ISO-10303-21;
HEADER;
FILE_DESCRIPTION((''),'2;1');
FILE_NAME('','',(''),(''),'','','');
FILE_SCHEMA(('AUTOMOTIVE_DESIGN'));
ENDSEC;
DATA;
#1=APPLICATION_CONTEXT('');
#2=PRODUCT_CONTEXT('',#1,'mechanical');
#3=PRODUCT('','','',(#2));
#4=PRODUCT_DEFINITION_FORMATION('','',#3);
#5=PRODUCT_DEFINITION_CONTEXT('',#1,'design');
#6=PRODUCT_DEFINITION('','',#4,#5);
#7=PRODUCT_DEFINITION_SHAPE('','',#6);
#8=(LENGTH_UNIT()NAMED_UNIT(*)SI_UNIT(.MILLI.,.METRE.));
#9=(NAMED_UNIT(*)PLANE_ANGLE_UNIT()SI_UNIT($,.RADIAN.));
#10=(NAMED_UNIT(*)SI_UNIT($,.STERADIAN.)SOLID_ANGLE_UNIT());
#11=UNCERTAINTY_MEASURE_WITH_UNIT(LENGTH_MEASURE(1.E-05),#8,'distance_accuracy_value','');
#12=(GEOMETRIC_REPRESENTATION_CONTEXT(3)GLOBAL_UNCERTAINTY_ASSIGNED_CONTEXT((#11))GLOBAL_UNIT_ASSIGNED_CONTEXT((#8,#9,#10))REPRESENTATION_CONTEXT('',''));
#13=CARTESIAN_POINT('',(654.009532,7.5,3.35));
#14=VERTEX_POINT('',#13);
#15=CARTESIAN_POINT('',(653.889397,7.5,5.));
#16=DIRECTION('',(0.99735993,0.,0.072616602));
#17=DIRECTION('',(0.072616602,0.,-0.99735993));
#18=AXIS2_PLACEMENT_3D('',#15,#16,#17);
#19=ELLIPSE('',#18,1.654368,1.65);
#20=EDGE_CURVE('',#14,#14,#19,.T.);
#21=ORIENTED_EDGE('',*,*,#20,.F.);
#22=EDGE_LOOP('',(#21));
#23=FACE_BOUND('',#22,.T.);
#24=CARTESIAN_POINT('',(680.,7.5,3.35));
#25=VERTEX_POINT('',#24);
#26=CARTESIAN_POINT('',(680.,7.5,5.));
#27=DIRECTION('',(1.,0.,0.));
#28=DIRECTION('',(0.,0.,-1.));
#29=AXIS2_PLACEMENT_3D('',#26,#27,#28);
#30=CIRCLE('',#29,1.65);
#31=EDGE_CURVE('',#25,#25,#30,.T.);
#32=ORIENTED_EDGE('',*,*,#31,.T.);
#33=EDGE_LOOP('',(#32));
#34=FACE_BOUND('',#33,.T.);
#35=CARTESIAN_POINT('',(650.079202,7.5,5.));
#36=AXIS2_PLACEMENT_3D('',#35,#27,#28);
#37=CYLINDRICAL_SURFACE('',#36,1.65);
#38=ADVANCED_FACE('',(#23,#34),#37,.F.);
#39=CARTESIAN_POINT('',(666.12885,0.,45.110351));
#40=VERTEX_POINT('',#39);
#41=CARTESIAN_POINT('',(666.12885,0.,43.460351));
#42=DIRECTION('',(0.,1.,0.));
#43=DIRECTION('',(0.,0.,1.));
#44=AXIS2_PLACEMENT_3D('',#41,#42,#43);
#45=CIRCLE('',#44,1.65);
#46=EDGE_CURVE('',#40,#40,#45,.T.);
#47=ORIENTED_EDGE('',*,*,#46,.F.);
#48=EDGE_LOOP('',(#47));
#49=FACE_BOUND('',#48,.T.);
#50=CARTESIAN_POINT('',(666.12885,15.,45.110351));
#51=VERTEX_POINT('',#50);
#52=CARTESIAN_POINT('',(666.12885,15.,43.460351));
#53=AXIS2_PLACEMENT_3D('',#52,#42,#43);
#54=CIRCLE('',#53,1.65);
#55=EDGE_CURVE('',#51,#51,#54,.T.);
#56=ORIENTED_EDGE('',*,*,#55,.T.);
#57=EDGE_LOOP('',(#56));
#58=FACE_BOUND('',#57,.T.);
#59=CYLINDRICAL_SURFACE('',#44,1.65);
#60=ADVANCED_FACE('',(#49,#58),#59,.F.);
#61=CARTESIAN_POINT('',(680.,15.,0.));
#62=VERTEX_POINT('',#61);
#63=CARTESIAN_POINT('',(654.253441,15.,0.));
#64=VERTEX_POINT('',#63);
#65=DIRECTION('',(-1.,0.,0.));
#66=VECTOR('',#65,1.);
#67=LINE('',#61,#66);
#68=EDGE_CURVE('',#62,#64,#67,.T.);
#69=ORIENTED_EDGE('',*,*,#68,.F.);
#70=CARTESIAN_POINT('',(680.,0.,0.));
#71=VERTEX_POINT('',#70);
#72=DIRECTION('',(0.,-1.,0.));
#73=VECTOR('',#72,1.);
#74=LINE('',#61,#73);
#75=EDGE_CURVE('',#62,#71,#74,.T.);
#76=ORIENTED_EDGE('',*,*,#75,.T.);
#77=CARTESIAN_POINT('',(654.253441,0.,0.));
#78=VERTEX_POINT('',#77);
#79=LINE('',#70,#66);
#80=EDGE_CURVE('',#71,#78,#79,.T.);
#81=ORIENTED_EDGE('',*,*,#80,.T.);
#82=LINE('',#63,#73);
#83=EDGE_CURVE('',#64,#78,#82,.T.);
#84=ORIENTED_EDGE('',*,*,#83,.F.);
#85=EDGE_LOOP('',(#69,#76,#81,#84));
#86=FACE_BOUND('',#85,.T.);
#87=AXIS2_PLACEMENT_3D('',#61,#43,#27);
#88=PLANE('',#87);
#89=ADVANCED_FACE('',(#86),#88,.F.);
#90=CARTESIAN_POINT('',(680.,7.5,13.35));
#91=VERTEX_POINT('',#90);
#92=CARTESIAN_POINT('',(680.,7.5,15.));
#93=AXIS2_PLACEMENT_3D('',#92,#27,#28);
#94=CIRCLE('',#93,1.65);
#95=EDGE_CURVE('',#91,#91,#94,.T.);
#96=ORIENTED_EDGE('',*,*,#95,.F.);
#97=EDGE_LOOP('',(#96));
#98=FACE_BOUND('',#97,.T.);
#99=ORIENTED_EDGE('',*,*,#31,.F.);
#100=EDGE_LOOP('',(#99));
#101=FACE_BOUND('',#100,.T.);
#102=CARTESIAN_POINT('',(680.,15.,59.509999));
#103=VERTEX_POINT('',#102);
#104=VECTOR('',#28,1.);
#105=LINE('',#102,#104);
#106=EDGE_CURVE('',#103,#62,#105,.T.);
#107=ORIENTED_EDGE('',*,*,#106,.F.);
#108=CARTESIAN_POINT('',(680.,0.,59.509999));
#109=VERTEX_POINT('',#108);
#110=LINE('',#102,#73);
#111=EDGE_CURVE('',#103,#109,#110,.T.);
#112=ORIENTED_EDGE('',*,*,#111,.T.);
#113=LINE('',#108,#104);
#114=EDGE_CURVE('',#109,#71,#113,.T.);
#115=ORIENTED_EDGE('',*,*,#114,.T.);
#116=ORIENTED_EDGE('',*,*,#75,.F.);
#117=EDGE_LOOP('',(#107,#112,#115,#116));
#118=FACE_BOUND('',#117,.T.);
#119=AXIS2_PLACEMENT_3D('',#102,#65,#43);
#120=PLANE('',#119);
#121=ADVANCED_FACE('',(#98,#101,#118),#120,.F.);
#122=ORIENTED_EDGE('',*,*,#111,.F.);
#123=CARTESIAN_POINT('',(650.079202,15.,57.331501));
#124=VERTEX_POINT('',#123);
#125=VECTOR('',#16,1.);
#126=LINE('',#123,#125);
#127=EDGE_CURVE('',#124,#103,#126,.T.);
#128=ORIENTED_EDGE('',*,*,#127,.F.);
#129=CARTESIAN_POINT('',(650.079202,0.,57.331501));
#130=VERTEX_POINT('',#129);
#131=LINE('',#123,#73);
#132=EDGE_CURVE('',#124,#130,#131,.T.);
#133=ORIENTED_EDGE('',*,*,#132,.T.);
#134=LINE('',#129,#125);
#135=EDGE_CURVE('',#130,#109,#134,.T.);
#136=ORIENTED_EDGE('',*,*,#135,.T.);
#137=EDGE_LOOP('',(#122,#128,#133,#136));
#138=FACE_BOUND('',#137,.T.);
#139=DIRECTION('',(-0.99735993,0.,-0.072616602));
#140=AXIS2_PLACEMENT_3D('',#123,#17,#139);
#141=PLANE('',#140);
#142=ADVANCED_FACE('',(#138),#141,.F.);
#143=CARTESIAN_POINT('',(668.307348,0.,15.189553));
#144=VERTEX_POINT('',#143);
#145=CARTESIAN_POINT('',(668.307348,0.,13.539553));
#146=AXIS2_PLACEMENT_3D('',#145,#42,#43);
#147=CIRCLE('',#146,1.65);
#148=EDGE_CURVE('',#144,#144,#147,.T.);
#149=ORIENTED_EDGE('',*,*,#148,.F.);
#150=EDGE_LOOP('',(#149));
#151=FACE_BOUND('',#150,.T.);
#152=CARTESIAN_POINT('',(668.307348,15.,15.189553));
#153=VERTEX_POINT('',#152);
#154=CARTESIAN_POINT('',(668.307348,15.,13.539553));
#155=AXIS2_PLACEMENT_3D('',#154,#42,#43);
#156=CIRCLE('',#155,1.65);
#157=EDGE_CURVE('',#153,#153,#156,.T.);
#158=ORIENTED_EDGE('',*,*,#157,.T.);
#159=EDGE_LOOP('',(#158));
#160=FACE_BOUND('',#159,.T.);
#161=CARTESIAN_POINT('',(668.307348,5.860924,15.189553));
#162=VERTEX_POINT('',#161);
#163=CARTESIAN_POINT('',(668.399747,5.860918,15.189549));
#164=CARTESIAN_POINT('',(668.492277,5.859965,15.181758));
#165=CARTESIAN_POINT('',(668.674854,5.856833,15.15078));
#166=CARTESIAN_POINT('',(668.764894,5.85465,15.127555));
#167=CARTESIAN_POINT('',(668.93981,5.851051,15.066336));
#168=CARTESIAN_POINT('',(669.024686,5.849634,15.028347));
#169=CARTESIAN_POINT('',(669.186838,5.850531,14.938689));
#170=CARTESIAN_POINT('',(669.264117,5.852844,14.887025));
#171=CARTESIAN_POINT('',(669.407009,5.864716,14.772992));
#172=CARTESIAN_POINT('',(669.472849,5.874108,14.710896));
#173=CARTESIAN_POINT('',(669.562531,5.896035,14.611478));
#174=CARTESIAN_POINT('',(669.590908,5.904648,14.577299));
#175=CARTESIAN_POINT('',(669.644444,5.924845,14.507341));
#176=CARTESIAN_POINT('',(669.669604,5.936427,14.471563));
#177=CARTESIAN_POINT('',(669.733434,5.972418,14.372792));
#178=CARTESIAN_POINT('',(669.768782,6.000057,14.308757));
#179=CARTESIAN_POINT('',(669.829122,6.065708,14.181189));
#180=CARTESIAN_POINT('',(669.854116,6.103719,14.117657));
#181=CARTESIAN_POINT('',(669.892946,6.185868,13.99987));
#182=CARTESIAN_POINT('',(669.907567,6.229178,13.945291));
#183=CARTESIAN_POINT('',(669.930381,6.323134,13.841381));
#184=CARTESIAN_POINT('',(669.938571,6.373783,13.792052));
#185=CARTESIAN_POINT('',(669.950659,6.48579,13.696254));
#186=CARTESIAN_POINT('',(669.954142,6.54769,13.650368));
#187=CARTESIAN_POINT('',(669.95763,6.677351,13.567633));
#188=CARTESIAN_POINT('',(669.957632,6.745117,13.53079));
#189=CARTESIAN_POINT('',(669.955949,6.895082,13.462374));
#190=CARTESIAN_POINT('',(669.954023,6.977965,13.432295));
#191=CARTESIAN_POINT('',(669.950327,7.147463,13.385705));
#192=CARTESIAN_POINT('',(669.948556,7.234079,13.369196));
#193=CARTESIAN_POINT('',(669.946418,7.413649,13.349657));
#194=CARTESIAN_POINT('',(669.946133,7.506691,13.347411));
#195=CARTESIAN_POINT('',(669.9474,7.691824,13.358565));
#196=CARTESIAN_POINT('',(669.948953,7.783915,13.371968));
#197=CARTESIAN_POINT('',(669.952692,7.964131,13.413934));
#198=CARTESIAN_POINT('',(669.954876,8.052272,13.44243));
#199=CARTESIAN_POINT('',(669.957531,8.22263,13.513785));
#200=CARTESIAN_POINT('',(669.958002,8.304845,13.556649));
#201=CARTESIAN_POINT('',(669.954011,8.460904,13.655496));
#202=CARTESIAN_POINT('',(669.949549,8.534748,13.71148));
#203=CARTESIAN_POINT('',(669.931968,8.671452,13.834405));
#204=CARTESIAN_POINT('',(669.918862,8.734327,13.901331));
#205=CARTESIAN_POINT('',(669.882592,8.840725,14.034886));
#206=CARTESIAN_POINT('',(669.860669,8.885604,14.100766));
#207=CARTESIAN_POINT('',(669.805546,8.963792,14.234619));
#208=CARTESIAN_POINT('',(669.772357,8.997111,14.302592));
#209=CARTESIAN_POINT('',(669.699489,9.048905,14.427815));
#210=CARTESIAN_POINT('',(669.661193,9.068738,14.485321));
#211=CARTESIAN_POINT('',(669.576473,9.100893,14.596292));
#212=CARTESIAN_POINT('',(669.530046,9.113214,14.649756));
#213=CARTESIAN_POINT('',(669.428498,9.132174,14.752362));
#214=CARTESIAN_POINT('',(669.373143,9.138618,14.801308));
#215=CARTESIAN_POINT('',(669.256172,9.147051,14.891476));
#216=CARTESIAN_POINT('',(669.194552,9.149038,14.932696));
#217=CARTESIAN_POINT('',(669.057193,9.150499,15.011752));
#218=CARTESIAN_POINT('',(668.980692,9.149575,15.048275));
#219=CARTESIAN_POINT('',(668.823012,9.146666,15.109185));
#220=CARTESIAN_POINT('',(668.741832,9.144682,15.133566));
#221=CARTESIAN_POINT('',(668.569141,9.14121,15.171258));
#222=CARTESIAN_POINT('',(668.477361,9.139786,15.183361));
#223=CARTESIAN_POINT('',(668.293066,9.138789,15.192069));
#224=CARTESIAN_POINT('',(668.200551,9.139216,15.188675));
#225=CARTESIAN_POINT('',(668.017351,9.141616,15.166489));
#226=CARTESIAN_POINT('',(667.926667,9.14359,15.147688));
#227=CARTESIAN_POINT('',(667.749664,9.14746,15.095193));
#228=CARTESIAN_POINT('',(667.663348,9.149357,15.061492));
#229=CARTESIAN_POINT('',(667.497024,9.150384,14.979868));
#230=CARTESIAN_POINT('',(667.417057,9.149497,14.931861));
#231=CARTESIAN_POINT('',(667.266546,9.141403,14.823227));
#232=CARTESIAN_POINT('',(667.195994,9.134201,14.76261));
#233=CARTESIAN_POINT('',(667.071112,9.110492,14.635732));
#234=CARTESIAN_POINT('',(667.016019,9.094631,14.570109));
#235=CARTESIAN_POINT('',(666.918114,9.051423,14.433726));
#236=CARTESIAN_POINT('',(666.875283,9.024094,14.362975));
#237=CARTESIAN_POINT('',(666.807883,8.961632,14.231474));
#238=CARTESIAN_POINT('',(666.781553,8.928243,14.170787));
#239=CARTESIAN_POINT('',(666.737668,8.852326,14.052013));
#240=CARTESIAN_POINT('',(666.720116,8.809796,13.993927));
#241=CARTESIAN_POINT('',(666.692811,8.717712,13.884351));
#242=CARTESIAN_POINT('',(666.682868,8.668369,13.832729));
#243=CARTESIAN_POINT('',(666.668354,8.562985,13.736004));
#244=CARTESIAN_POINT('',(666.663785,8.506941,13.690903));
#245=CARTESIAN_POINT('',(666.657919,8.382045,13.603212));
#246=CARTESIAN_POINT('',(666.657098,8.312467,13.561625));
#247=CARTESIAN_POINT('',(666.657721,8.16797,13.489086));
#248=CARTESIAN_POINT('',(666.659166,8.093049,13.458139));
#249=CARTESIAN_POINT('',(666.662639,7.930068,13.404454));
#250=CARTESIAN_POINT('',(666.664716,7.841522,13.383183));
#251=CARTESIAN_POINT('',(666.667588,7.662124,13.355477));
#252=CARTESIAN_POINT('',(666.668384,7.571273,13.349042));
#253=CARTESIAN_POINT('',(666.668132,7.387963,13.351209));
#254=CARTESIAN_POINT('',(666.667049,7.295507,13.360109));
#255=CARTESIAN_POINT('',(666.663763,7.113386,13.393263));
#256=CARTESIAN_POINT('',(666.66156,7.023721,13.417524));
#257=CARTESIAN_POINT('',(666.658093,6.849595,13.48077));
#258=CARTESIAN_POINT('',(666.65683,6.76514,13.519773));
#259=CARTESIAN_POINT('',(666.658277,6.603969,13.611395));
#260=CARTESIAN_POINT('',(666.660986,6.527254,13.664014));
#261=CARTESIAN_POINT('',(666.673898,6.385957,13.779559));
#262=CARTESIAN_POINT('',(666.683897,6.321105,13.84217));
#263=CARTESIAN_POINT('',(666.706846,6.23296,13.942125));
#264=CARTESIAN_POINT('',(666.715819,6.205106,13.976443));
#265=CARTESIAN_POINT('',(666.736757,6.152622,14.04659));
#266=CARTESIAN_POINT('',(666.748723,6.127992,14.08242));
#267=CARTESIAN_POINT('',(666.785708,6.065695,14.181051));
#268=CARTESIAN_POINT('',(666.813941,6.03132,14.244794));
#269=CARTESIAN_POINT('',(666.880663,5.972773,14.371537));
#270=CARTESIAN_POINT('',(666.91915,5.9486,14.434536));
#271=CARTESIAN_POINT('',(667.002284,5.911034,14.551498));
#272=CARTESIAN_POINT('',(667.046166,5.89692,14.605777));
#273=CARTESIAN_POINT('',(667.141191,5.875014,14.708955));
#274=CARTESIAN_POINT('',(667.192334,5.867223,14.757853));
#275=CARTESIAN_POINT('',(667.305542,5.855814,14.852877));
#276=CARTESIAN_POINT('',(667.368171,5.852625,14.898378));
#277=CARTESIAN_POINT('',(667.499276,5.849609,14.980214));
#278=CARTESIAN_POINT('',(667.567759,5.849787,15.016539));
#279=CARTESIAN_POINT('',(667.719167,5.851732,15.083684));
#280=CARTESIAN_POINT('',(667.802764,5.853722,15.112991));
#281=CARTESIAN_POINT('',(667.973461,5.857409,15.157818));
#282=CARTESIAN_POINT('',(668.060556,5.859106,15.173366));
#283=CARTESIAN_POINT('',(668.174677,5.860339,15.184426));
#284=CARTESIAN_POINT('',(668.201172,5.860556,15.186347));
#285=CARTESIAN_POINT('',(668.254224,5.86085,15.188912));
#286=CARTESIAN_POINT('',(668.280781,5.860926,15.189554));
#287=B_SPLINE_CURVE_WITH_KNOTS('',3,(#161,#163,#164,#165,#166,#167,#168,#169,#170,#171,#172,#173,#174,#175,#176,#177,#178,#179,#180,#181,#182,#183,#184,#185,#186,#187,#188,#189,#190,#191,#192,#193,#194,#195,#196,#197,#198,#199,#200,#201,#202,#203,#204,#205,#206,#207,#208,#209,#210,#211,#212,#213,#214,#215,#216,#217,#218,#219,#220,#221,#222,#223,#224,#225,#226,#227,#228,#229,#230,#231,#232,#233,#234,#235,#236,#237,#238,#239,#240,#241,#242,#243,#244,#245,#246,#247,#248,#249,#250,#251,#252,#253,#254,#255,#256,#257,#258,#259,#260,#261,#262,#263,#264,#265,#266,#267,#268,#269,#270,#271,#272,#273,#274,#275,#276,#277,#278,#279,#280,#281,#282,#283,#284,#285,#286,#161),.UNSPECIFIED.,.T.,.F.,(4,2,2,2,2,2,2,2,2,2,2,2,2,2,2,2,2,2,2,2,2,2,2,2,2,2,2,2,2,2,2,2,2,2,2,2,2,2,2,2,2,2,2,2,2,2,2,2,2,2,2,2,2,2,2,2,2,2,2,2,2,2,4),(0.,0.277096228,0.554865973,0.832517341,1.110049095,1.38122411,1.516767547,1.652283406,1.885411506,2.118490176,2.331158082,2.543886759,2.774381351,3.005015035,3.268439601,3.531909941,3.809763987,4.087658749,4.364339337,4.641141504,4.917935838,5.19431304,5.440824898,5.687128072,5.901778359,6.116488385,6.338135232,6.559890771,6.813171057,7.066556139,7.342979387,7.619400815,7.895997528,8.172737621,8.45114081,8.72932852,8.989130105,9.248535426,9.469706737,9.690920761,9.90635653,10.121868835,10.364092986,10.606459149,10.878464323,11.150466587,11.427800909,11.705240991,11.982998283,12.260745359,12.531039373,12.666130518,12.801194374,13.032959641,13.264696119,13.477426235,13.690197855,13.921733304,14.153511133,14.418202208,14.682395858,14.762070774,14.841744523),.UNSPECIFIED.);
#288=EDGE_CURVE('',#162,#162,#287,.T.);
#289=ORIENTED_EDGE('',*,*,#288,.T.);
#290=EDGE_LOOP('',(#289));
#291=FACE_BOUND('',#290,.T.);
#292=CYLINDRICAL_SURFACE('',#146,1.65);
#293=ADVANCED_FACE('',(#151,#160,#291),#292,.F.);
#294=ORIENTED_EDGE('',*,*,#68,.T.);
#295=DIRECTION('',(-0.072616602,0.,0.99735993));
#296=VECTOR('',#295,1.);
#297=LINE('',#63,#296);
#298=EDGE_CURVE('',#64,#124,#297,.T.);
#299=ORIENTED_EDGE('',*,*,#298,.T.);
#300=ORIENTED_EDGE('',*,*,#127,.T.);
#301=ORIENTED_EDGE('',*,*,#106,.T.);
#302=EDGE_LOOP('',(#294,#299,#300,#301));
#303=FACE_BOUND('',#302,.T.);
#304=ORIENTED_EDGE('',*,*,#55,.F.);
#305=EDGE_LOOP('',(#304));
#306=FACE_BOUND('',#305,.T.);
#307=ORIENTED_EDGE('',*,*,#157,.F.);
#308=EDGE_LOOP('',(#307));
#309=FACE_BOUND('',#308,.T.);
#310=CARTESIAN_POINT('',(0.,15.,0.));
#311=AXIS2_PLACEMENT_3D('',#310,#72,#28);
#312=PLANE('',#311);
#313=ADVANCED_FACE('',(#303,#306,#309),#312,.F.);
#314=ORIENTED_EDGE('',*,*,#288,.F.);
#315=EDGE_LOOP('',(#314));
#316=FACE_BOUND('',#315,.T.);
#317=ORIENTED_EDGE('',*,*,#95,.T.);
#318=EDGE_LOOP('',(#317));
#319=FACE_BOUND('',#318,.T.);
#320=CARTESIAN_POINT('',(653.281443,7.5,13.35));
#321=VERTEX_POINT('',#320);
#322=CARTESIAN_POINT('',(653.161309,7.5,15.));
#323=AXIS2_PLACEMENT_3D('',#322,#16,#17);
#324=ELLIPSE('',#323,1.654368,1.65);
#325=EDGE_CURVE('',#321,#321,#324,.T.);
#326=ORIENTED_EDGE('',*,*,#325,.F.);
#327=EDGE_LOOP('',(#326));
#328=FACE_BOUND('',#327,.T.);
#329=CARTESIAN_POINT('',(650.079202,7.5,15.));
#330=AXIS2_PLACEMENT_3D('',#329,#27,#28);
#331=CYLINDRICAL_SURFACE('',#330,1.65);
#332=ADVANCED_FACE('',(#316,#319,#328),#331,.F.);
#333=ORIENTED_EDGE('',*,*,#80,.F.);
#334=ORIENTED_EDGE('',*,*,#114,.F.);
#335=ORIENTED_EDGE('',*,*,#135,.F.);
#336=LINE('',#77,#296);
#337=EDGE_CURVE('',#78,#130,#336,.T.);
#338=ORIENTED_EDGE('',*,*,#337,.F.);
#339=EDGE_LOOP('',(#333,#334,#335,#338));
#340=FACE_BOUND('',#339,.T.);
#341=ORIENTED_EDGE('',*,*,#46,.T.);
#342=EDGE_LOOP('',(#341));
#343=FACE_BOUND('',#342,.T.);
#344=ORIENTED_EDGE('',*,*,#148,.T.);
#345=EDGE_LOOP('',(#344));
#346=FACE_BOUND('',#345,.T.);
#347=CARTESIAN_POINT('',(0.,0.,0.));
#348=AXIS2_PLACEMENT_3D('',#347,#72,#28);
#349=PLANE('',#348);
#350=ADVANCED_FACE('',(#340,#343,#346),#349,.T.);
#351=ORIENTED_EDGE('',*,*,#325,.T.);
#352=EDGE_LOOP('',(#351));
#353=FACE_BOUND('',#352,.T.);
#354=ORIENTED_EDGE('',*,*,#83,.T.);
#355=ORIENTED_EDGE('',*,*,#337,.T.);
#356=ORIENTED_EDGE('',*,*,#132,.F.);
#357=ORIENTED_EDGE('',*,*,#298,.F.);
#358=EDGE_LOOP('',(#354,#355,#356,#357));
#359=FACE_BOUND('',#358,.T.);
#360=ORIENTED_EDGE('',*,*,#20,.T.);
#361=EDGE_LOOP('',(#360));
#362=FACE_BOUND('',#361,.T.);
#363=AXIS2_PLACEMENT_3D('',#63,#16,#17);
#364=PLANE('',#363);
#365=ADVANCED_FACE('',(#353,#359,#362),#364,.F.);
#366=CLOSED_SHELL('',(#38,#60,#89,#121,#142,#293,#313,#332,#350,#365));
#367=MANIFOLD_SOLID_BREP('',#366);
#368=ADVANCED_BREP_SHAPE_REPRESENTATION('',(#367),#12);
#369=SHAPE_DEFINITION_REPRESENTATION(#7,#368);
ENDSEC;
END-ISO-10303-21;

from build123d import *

# Parameters (mm, degrees)
EXTRUDE_1_DEPTH     = 15
SKETCH_2_R          = 1.45
CUT_EXTRUDE_1_DEPTH = 683.763824452
SKETCH_3_R          = 1.45
CUT_EXTRUDE_2_DEPTH = 69.276600135
SKETCH_4_R          = 1.65
CUT_EXTRUDE_3_DEPTH = 683.763824553
SKETCH_5_R          = 1.65
CUT_EXTRUDE_4_DEPTH = 69.276600157


with BuildPart() as part:
    # 草图1 → 凸台-拉伸1 (new body)
    with BuildSketch(Plane(origin=(0, 0, 0), x_dir=(1, 0, 0), z_dir=(0, 1, 0))):
        Polygon((654.253441162, 0), (650.079202112, -57.331500941), (680, -59.50999899), (680, 0), align=None)
    extrude(amount=EXTRUDE_1_DEPTH)

    # 草图2 → 切除-拉伸1 (cut, through all)
    with BuildSketch(Plane.XZ):
        with Locations(Location((668.307348129, 13.539553134, 0), (0, 0, 270))):
            Circle(SKETCH_2_R)
        with Locations(Location((666.12885008, 43.460351022, 0), (0, 0, 270))):
            Circle(SKETCH_2_R)
    extrude(amount=-CUT_EXTRUDE_1_DEPTH, mode=Mode.SUBTRACT)

    # 草图3 → 切除-拉伸2 (cut, through all)
    with BuildSketch(Plane(origin=(680, 0, 0), x_dir=(0, 0, -1), z_dir=(1, 0, 0))):
        with Locations((-15, 7.5)):
            Circle(SKETCH_3_R)
        with Locations((-5, 7.5)):
            Circle(SKETCH_3_R)
    extrude(amount=-CUT_EXTRUDE_2_DEPTH, mode=Mode.SUBTRACT)

    # 草图4 → 切除-拉伸3 (cut, through all)
    with BuildSketch(Plane(origin=(0, 15, 0), x_dir=(1, 0, 0), z_dir=(0, 1, 0))):
        with Locations(Location((668.307348129, -13.539553134, 0), (0, 0, 270))):
            Circle(SKETCH_4_R)
        with Locations(Location((666.12885008, -43.460351022, 0), (0, 0, 270))):
            Circle(SKETCH_4_R)
    extrude(amount=-CUT_EXTRUDE_3_DEPTH, mode=Mode.SUBTRACT)

    # 草图5 → 切除-拉伸4 (cut, through all)
    with BuildSketch(Plane(origin=(680, 0, 0), x_dir=(0, 0, -1), z_dir=(1, 0, 0))):
        with Locations((-15, 7.5)):
            Circle(SKETCH_5_R)
        with Locations((-5, 7.5)):
            Circle(SKETCH_5_R)
    extrude(amount=-CUT_EXTRUDE_4_DEPTH, mode=Mode.SUBTRACT)


solid = part.part
